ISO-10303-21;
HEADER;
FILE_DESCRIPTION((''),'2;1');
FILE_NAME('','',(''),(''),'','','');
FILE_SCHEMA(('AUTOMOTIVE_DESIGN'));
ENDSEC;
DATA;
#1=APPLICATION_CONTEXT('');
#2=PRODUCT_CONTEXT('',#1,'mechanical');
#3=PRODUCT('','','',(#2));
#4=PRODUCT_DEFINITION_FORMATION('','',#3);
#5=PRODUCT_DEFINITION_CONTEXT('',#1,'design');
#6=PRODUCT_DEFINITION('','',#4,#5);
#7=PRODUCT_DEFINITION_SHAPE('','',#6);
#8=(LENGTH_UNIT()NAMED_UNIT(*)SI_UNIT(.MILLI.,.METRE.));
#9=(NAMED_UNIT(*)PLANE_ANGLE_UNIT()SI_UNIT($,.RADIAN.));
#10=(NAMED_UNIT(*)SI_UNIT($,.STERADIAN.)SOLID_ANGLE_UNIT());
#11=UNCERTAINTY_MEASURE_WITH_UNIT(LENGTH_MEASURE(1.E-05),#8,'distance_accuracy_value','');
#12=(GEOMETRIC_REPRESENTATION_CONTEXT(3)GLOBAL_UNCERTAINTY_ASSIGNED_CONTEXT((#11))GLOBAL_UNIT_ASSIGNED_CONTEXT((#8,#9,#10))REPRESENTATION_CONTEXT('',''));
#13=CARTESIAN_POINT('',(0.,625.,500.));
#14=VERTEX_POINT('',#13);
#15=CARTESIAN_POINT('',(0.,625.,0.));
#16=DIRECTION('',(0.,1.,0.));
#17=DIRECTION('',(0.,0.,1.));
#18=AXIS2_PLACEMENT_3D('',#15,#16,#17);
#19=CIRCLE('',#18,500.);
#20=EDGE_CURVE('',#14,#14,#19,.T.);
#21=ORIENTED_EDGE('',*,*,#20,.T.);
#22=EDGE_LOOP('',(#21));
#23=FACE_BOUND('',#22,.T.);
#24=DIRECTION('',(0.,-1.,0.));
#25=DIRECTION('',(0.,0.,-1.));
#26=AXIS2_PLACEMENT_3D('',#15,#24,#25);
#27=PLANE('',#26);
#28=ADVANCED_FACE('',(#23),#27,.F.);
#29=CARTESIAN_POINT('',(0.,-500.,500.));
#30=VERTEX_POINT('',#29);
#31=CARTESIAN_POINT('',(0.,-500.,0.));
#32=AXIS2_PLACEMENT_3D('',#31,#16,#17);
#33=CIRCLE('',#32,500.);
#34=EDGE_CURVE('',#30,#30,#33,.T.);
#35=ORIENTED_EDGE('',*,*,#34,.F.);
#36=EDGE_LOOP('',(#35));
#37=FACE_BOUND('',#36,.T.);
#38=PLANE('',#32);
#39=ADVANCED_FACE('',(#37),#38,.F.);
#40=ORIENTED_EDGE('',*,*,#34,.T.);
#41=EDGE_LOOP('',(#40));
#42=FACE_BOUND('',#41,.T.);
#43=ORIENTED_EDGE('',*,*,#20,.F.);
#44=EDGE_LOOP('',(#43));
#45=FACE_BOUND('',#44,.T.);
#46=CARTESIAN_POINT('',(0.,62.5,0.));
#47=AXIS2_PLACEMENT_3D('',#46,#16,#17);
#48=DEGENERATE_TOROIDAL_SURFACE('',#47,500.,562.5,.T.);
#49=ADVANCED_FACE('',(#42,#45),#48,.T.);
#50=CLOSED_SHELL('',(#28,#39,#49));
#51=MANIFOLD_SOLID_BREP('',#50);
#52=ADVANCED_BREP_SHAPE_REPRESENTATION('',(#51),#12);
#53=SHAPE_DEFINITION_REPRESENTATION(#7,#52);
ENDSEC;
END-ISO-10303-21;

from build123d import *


with BuildPart() as part:
    # Sketch1 → Revolve2 (revolve)
    with BuildSketch(Plane.XY):
        with BuildLine():
            Line((0, 625), (0, -500))
            Line((0, -500), (500, -500))
            ThreePointArc((500, -500), (1062.5, 62.5), (500, 625))
            Line((500, 625), (0, 625))
        make_face()
    revolve(axis=Axis((0, 550, 0), (0, -1, 0)))


solid = part.part
